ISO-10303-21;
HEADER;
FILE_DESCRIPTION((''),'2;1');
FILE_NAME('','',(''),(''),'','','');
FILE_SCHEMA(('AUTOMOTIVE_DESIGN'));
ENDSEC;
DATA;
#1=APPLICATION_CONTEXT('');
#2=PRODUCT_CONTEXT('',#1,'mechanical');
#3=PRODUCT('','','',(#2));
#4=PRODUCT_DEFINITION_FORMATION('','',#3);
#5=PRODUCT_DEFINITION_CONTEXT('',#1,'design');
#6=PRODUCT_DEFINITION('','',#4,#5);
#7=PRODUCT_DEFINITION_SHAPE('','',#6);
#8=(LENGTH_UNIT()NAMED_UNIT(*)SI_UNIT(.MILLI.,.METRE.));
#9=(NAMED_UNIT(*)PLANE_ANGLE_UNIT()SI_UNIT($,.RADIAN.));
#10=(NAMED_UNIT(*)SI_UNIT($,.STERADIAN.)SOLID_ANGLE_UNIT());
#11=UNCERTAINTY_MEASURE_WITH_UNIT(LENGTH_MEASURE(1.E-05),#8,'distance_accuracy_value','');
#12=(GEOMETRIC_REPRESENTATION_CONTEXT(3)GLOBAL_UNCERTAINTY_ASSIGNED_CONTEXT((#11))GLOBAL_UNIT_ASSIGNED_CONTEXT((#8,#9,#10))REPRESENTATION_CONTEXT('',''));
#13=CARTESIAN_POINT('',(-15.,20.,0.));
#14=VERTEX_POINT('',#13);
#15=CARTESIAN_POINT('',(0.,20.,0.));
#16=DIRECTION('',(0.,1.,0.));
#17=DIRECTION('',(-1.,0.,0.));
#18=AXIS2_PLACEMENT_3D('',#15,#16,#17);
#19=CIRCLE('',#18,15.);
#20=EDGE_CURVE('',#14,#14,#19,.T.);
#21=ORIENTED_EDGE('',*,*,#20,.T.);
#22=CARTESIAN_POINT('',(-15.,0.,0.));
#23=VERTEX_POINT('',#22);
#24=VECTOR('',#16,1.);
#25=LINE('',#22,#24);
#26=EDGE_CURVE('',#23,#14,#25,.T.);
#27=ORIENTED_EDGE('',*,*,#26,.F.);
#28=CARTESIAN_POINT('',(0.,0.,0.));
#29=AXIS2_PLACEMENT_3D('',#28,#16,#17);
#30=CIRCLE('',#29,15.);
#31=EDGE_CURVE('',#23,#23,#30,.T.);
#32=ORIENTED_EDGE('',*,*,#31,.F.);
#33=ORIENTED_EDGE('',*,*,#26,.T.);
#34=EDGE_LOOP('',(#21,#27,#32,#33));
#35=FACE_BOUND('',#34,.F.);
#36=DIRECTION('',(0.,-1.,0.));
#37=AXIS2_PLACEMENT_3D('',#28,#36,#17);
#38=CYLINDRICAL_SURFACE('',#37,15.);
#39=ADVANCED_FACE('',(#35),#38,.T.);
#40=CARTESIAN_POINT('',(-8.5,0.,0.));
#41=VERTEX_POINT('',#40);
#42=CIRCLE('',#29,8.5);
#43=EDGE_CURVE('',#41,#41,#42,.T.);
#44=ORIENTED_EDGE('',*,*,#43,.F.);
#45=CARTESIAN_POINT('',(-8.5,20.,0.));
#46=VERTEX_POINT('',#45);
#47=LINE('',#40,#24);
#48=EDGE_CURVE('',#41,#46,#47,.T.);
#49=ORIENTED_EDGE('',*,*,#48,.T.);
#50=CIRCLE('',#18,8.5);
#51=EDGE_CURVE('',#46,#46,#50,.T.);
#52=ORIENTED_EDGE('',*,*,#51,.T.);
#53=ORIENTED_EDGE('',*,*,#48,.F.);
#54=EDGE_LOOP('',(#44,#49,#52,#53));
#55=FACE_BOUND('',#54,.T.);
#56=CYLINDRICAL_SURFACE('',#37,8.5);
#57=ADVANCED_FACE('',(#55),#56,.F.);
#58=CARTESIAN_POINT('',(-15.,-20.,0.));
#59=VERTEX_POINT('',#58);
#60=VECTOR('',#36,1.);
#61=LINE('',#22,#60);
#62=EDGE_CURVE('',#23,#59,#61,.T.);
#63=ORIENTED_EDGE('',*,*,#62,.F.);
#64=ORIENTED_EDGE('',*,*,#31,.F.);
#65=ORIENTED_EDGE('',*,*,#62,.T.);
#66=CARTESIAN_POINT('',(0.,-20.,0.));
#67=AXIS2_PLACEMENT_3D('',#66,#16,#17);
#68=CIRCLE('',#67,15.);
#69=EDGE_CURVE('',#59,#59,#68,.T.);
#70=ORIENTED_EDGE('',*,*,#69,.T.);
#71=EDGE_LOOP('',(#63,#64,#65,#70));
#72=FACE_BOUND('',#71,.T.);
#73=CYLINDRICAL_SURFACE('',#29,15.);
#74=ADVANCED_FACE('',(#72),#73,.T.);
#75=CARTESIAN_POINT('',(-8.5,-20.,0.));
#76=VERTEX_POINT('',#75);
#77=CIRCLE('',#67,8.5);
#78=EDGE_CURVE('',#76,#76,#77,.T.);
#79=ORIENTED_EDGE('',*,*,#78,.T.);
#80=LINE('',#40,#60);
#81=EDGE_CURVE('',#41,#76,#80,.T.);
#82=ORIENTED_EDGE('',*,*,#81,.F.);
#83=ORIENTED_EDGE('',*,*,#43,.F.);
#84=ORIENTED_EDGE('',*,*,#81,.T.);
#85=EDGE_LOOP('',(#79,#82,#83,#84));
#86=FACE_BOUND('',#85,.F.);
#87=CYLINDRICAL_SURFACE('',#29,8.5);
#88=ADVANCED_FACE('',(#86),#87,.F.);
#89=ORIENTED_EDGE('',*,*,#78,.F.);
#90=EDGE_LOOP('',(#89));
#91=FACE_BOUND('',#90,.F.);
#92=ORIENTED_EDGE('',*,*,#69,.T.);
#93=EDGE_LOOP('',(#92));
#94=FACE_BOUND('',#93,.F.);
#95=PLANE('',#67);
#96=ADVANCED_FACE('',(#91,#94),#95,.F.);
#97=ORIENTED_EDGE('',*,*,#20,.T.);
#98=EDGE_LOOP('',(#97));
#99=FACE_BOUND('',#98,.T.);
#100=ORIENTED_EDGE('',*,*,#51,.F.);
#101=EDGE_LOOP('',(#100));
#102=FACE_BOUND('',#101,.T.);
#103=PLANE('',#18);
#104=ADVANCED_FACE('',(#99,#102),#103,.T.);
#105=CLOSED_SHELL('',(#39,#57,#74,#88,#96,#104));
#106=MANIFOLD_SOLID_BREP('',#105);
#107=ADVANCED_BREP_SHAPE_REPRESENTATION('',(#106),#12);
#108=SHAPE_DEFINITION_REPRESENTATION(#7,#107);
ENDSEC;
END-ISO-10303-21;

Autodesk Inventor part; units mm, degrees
ref_plane "YZ Plane" through (0, 0, 0) normal (1, 0, 0) x (0, 1, 0)
ref_plane "XZ Plane" through (0, 0, 0) normal (0, 1, 0) x (-1, 0, 0)
ref_plane "XY Plane" through (0, 0, 0) normal (0, 0, 1) x (1, 0, 0)
sketch "Sketch1" plane through (0, 0, 0) normal (0, 1, 0) x (-1, 0, 0)
  circle A0 centre (0, 0) radius 15
  circle A1 centre (0, 0) radius 8.5
  dimension "d0" = 30
  dimension "d1" = 17
extrude "Extrusion1" add sketch "Sketch1" along normal mid plane 40
properties part number "Втулка для шкива"
